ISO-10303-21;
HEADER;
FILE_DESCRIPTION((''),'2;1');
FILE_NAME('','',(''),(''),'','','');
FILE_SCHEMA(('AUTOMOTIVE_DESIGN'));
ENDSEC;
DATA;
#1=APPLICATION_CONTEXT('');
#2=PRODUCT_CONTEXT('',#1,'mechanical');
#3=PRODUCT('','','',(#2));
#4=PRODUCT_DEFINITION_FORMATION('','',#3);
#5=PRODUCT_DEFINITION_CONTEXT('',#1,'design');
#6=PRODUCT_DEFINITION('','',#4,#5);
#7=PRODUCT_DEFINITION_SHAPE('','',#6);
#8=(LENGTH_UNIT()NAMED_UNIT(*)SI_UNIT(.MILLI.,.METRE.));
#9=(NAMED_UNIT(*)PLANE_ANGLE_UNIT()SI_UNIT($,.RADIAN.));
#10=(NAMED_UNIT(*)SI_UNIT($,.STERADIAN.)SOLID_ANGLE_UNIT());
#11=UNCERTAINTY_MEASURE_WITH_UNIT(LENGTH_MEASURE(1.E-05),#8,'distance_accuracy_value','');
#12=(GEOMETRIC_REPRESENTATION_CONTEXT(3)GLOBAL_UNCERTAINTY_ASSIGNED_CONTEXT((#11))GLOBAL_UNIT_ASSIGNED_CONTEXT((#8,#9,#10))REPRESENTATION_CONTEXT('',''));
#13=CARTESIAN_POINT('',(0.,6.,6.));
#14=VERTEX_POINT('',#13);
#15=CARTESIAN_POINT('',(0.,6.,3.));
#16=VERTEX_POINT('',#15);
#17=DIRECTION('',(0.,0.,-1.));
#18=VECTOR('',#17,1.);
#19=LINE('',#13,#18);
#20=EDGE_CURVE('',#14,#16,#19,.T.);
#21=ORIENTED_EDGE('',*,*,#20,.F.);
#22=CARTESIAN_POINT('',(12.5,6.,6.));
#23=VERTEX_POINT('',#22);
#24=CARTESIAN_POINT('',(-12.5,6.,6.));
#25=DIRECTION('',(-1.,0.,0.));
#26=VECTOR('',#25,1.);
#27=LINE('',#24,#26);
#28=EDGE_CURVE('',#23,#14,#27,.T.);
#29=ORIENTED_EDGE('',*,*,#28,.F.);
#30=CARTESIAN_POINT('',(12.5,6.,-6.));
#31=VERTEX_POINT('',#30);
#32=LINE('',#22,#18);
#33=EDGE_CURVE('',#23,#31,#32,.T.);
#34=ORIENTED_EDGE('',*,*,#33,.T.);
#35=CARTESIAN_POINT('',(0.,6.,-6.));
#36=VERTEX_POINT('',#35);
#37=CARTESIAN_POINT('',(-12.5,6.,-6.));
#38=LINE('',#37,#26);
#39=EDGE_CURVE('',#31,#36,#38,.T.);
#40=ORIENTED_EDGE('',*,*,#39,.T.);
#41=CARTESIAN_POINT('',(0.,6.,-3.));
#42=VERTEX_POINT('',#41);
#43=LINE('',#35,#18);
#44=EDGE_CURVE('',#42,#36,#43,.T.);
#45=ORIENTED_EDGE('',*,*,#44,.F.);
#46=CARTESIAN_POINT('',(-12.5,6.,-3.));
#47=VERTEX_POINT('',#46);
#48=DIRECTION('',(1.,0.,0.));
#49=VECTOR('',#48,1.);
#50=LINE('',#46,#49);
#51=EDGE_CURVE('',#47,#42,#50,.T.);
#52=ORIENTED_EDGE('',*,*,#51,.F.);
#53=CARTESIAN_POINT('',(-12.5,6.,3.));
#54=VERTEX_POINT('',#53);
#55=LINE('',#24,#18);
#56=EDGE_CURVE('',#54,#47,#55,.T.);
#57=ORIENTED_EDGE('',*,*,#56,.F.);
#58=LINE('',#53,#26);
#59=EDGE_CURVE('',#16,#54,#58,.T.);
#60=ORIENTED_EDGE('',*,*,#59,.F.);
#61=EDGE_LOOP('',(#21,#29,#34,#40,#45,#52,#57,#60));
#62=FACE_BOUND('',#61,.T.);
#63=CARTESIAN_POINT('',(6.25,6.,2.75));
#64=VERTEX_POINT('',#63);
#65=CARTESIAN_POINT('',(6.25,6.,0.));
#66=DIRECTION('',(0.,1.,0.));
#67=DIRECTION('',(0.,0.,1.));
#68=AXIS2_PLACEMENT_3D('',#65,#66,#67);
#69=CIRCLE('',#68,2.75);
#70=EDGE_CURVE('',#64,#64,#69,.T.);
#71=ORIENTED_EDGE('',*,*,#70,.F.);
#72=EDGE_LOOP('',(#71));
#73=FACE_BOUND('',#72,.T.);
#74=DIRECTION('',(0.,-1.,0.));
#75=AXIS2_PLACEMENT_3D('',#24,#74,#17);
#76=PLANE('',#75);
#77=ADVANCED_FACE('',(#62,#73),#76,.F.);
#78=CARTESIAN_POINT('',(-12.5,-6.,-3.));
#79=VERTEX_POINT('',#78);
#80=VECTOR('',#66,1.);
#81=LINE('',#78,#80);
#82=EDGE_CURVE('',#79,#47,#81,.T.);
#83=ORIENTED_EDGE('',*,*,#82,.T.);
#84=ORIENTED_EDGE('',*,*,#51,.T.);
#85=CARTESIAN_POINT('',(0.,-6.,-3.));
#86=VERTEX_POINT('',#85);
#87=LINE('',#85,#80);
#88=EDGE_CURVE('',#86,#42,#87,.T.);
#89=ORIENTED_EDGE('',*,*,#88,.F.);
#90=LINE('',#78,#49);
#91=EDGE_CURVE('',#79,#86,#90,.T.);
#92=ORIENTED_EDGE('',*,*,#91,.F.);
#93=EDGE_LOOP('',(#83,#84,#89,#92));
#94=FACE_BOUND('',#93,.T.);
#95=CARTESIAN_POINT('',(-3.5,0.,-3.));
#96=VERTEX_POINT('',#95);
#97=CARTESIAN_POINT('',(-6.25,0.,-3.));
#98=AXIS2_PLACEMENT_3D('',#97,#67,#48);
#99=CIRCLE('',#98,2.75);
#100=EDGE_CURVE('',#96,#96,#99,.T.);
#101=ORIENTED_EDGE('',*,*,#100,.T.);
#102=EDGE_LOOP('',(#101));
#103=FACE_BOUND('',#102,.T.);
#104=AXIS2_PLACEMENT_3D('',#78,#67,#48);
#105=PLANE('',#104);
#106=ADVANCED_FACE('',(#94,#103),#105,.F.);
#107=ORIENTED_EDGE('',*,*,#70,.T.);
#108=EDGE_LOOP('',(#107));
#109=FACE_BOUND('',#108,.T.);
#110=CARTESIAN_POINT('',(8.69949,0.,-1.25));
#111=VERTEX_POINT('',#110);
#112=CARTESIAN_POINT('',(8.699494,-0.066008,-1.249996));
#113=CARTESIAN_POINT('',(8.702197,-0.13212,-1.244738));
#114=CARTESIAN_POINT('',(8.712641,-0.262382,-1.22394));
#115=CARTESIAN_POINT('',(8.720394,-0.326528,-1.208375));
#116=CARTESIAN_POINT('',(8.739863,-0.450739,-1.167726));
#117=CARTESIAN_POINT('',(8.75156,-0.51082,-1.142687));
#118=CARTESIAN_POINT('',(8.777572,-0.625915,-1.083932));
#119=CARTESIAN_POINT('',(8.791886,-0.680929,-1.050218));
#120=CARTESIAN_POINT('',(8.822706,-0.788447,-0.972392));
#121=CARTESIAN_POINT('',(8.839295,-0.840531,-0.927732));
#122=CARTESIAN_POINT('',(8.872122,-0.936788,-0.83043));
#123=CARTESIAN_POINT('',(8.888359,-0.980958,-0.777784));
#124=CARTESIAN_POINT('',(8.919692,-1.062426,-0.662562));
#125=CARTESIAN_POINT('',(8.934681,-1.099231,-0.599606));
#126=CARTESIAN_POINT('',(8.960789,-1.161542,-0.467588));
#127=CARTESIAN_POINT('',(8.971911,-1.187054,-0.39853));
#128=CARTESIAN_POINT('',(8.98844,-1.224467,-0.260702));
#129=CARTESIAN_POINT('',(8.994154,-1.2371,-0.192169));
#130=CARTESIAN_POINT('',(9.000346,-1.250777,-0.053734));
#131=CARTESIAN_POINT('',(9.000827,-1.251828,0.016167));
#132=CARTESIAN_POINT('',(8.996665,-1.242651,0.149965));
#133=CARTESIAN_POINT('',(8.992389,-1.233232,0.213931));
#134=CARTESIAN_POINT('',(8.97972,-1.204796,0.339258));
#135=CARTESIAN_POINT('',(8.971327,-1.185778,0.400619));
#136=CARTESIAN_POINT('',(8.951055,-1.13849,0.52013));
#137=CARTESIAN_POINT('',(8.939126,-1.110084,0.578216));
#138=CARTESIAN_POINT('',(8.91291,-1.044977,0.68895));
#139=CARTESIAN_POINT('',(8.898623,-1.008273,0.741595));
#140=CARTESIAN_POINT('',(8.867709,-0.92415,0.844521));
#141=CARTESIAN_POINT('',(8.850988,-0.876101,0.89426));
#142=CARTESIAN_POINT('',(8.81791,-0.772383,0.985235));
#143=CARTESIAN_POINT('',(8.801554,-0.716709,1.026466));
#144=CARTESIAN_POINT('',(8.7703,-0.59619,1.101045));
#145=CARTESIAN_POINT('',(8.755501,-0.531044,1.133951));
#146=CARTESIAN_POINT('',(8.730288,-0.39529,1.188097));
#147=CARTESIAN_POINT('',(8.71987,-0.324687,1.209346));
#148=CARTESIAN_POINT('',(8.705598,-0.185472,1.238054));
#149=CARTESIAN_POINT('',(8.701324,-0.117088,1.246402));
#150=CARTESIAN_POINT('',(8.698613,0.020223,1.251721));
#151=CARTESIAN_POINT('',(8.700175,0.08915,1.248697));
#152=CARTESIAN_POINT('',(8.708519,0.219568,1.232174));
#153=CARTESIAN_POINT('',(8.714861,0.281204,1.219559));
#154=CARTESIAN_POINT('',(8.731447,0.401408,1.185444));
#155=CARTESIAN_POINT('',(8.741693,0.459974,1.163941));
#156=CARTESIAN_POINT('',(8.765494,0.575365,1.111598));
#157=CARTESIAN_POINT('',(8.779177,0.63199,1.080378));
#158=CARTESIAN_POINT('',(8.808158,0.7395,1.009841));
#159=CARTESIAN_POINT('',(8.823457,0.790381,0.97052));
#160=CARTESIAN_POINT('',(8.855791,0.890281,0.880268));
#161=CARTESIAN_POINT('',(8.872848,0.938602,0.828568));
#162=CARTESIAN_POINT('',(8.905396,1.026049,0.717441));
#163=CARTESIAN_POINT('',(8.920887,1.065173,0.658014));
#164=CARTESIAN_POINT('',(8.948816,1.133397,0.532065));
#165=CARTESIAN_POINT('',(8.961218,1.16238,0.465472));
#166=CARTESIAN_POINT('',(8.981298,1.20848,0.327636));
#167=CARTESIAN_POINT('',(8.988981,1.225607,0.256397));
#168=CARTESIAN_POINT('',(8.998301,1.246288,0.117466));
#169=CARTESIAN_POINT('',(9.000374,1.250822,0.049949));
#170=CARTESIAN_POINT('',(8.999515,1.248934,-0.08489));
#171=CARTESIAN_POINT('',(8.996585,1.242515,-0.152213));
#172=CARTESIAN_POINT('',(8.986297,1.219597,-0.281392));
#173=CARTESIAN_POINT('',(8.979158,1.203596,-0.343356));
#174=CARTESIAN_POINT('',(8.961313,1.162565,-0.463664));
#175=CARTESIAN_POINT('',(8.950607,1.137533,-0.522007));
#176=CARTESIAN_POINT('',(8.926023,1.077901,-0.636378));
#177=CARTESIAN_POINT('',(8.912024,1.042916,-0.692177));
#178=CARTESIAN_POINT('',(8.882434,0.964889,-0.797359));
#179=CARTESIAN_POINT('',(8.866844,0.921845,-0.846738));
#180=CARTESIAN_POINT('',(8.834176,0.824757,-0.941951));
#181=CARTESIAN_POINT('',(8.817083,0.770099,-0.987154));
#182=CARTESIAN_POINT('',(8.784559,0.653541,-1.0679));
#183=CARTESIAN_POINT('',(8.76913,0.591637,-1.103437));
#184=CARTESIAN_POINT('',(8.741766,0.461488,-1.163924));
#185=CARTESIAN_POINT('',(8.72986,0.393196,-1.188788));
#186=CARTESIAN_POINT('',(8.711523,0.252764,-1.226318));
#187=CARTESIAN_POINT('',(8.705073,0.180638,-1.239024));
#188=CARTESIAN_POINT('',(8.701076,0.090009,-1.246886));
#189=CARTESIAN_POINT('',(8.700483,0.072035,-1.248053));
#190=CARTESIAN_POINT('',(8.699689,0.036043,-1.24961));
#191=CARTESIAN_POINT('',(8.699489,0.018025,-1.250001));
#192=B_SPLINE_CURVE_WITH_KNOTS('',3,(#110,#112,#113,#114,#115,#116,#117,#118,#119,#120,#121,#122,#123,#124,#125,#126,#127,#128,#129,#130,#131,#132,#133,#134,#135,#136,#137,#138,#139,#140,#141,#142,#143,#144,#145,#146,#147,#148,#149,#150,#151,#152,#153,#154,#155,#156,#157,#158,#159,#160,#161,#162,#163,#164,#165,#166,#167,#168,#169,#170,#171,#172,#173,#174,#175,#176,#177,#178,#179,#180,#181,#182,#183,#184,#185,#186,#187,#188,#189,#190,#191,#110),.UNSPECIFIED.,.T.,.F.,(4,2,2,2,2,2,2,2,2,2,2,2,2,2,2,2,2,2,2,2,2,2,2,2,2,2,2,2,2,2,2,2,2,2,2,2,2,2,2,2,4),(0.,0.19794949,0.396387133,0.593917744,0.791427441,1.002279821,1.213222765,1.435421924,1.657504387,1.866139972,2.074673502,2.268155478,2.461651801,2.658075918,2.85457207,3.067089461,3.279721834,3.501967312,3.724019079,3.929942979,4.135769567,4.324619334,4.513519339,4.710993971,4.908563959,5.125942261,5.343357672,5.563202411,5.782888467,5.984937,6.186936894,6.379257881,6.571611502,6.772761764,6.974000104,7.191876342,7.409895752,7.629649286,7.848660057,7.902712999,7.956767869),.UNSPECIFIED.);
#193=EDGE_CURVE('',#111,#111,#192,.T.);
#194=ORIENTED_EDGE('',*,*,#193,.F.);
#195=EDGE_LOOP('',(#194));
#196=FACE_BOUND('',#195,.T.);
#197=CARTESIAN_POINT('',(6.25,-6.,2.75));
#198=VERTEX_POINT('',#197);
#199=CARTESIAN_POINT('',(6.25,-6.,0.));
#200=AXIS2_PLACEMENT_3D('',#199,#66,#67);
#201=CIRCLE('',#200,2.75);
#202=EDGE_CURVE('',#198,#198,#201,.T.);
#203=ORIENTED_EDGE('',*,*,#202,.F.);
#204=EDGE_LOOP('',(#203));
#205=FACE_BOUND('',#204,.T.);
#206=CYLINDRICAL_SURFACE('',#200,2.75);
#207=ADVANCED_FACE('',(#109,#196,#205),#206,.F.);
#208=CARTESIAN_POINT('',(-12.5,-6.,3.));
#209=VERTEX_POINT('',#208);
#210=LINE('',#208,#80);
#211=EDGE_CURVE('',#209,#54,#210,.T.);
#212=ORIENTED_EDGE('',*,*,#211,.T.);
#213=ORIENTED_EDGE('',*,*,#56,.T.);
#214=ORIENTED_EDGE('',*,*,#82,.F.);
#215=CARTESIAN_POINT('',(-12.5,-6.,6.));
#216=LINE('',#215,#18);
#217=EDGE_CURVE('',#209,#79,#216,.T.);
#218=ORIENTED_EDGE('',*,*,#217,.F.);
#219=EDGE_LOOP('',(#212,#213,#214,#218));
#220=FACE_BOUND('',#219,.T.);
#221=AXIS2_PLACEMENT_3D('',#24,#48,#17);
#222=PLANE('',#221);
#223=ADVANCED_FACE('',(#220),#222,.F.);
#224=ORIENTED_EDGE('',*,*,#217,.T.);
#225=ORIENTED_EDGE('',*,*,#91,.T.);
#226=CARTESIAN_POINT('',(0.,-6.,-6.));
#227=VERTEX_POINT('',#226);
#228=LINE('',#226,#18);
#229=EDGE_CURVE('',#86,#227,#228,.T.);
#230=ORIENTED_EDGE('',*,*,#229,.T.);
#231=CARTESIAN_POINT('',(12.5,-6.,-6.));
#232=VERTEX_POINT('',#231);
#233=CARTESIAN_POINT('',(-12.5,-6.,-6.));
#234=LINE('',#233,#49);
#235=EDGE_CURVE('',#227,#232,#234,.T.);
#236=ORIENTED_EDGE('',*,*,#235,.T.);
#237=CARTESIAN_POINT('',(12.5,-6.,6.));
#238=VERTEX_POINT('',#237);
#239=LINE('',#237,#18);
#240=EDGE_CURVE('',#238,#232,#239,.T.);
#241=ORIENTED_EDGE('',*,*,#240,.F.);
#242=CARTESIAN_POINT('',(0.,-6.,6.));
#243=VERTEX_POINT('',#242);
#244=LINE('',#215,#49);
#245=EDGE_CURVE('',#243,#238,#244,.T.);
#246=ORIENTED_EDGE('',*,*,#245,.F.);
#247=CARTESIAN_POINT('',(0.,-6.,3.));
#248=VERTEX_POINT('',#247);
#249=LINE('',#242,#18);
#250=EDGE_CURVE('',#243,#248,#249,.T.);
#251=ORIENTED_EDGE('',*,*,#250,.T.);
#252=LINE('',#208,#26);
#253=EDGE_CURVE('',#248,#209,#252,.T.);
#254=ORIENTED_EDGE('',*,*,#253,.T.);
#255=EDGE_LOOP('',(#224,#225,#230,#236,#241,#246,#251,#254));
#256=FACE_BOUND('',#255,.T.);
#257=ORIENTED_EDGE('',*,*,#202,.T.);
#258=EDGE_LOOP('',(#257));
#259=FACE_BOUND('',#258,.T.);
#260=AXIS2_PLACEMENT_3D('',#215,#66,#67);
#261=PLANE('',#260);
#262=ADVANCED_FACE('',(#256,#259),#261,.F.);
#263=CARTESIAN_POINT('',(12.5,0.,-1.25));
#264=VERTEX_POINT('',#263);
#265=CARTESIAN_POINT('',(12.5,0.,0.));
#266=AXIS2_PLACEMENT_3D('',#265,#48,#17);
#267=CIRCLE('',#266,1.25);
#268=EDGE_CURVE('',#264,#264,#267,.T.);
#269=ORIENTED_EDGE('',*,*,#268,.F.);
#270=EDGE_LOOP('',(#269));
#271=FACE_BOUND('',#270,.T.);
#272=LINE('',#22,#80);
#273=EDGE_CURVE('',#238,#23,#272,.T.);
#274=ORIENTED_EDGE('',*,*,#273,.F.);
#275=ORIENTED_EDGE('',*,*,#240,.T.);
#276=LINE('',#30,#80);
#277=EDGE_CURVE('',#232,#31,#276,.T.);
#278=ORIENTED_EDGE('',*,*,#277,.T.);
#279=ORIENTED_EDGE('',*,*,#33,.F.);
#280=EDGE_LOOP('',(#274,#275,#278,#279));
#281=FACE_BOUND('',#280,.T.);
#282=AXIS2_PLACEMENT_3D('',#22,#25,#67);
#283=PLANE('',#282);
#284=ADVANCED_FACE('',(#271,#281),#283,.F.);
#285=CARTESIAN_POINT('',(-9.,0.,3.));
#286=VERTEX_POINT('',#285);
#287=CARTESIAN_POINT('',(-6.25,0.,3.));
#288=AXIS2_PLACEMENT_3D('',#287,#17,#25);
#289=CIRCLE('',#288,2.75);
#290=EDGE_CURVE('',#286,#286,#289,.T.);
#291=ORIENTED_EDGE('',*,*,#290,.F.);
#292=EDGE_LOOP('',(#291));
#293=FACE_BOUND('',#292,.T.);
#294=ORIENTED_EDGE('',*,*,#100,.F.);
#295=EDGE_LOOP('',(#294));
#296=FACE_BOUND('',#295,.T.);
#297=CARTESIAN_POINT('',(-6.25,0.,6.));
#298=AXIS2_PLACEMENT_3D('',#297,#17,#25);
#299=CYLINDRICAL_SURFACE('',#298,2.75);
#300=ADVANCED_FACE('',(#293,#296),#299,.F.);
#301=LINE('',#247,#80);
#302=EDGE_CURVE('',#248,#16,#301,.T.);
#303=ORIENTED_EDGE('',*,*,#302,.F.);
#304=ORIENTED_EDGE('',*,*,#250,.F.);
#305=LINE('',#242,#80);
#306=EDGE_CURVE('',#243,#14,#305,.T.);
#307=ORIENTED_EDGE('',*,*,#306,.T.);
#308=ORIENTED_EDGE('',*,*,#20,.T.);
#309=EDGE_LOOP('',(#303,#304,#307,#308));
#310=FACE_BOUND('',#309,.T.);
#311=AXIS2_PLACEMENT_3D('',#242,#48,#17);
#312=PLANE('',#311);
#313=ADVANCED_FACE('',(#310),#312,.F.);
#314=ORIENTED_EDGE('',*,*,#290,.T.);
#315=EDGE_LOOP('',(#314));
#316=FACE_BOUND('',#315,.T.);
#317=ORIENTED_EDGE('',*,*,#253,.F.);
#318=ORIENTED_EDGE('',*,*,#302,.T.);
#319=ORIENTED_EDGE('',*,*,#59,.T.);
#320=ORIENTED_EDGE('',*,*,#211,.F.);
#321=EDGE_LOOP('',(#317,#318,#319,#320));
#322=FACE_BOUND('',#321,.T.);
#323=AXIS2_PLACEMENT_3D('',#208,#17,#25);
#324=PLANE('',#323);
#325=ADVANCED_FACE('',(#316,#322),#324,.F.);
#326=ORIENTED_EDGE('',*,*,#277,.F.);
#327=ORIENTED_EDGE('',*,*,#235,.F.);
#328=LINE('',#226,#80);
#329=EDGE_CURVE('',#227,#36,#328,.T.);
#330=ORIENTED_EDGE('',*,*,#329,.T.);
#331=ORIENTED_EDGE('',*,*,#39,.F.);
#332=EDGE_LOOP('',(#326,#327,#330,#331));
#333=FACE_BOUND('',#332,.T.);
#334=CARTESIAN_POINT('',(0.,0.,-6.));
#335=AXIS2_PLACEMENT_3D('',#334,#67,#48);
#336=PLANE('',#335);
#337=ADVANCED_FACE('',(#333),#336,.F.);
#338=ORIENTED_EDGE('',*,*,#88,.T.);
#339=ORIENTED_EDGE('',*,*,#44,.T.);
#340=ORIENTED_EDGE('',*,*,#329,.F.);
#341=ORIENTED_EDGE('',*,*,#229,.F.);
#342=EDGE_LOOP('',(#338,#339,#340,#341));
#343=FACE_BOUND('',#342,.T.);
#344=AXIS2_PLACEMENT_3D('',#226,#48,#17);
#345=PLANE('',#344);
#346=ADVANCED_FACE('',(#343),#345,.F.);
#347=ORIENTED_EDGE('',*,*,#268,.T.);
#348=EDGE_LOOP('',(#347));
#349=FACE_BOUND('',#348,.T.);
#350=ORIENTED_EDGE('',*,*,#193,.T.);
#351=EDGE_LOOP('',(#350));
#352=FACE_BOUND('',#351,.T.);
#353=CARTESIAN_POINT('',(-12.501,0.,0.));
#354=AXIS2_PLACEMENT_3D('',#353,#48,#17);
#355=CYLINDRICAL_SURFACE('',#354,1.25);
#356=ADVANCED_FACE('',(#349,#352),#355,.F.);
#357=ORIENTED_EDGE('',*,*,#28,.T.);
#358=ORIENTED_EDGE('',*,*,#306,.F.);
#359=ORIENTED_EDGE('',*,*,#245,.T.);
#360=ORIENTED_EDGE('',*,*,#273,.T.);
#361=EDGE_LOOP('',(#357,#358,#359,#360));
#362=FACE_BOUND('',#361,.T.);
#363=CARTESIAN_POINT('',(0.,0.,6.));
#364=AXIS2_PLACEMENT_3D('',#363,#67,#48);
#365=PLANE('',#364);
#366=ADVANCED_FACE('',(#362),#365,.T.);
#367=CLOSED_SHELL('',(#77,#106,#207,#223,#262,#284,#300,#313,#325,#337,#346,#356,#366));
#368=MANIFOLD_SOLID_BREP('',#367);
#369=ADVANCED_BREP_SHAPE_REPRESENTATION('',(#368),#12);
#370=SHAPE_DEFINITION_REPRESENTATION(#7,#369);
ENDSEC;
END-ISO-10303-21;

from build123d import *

# Parameters (mm, degrees)
SKIZZE1_W                       = 25
SKIZZE1_H                       = 12
SKIZZE1_R                       = 2.75
AUFSATZ_LINEAR_AUSTRAGEN1_DEPTH = 6
SKIZZE2_R                       = 2.75
SKIZZE2_W                       = 12.5
SKIZZE2_H                       = 3
SCHNITT_LINEAR_AUSTRAGEN1_DEPTH = 13
SCHNITT_LINEAR_AUSTRAGEN2_REACH = 27
SKIZZE3_R                       = 1.25


with BuildPart() as part:
    # Skizze1 → Aufsatz-Linear austragen1 (new body, symmetric)
    with BuildSketch(Plane.XY):
        Rectangle(SKIZZE1_W, SKIZZE1_H)
        with Locations((-6.25, 0)):
            Circle(SKIZZE1_R, mode=Mode.SUBTRACT)
    extrude(amount=AUFSATZ_LINEAR_AUSTRAGEN1_DEPTH, both=True)

    # Skizze2 → Schnitt-Linear austragen1 (cut, through all)
    with BuildSketch(Plane(origin=(0, 6, 0), x_dir=(1, 0, 0), z_dir=(0, 1, 0))):
        with Locations((6.25, 0)):
            Circle(SKIZZE2_R)
        with Locations((-6.25, 4.5)):
            Rectangle(SKIZZE2_W, SKIZZE2_H)
        with Locations((-6.25, -4.5)):
            Rectangle(SKIZZE2_W, SKIZZE2_H)
    extrude(amount=-SCHNITT_LINEAR_AUSTRAGEN1_DEPTH, mode=Mode.SUBTRACT)

    # Skizze3 → Schnitt-Linear austragen2 (cut, up to next)
    with BuildSketch(Plane(origin=(12.5, 0, 0), x_dir=(0, 0, -1), z_dir=(1, 0, 0)), mode=Mode.PRIVATE) as schnitt_linear_austragen2_sk1:
        Circle(SKIZZE3_R)
    schnitt_linear_austragen2_tool1 = extrude(schnitt_linear_austragen2_sk1.sketch, amount=-SCHNITT_LINEAR_AUSTRAGEN2_REACH, mode=Mode.PRIVATE) & part.part
    add(schnitt_linear_austragen2_tool1.solids().sort_by_distance((12.5, 0, 0))[0], mode=Mode.SUBTRACT)


solid = part.part
